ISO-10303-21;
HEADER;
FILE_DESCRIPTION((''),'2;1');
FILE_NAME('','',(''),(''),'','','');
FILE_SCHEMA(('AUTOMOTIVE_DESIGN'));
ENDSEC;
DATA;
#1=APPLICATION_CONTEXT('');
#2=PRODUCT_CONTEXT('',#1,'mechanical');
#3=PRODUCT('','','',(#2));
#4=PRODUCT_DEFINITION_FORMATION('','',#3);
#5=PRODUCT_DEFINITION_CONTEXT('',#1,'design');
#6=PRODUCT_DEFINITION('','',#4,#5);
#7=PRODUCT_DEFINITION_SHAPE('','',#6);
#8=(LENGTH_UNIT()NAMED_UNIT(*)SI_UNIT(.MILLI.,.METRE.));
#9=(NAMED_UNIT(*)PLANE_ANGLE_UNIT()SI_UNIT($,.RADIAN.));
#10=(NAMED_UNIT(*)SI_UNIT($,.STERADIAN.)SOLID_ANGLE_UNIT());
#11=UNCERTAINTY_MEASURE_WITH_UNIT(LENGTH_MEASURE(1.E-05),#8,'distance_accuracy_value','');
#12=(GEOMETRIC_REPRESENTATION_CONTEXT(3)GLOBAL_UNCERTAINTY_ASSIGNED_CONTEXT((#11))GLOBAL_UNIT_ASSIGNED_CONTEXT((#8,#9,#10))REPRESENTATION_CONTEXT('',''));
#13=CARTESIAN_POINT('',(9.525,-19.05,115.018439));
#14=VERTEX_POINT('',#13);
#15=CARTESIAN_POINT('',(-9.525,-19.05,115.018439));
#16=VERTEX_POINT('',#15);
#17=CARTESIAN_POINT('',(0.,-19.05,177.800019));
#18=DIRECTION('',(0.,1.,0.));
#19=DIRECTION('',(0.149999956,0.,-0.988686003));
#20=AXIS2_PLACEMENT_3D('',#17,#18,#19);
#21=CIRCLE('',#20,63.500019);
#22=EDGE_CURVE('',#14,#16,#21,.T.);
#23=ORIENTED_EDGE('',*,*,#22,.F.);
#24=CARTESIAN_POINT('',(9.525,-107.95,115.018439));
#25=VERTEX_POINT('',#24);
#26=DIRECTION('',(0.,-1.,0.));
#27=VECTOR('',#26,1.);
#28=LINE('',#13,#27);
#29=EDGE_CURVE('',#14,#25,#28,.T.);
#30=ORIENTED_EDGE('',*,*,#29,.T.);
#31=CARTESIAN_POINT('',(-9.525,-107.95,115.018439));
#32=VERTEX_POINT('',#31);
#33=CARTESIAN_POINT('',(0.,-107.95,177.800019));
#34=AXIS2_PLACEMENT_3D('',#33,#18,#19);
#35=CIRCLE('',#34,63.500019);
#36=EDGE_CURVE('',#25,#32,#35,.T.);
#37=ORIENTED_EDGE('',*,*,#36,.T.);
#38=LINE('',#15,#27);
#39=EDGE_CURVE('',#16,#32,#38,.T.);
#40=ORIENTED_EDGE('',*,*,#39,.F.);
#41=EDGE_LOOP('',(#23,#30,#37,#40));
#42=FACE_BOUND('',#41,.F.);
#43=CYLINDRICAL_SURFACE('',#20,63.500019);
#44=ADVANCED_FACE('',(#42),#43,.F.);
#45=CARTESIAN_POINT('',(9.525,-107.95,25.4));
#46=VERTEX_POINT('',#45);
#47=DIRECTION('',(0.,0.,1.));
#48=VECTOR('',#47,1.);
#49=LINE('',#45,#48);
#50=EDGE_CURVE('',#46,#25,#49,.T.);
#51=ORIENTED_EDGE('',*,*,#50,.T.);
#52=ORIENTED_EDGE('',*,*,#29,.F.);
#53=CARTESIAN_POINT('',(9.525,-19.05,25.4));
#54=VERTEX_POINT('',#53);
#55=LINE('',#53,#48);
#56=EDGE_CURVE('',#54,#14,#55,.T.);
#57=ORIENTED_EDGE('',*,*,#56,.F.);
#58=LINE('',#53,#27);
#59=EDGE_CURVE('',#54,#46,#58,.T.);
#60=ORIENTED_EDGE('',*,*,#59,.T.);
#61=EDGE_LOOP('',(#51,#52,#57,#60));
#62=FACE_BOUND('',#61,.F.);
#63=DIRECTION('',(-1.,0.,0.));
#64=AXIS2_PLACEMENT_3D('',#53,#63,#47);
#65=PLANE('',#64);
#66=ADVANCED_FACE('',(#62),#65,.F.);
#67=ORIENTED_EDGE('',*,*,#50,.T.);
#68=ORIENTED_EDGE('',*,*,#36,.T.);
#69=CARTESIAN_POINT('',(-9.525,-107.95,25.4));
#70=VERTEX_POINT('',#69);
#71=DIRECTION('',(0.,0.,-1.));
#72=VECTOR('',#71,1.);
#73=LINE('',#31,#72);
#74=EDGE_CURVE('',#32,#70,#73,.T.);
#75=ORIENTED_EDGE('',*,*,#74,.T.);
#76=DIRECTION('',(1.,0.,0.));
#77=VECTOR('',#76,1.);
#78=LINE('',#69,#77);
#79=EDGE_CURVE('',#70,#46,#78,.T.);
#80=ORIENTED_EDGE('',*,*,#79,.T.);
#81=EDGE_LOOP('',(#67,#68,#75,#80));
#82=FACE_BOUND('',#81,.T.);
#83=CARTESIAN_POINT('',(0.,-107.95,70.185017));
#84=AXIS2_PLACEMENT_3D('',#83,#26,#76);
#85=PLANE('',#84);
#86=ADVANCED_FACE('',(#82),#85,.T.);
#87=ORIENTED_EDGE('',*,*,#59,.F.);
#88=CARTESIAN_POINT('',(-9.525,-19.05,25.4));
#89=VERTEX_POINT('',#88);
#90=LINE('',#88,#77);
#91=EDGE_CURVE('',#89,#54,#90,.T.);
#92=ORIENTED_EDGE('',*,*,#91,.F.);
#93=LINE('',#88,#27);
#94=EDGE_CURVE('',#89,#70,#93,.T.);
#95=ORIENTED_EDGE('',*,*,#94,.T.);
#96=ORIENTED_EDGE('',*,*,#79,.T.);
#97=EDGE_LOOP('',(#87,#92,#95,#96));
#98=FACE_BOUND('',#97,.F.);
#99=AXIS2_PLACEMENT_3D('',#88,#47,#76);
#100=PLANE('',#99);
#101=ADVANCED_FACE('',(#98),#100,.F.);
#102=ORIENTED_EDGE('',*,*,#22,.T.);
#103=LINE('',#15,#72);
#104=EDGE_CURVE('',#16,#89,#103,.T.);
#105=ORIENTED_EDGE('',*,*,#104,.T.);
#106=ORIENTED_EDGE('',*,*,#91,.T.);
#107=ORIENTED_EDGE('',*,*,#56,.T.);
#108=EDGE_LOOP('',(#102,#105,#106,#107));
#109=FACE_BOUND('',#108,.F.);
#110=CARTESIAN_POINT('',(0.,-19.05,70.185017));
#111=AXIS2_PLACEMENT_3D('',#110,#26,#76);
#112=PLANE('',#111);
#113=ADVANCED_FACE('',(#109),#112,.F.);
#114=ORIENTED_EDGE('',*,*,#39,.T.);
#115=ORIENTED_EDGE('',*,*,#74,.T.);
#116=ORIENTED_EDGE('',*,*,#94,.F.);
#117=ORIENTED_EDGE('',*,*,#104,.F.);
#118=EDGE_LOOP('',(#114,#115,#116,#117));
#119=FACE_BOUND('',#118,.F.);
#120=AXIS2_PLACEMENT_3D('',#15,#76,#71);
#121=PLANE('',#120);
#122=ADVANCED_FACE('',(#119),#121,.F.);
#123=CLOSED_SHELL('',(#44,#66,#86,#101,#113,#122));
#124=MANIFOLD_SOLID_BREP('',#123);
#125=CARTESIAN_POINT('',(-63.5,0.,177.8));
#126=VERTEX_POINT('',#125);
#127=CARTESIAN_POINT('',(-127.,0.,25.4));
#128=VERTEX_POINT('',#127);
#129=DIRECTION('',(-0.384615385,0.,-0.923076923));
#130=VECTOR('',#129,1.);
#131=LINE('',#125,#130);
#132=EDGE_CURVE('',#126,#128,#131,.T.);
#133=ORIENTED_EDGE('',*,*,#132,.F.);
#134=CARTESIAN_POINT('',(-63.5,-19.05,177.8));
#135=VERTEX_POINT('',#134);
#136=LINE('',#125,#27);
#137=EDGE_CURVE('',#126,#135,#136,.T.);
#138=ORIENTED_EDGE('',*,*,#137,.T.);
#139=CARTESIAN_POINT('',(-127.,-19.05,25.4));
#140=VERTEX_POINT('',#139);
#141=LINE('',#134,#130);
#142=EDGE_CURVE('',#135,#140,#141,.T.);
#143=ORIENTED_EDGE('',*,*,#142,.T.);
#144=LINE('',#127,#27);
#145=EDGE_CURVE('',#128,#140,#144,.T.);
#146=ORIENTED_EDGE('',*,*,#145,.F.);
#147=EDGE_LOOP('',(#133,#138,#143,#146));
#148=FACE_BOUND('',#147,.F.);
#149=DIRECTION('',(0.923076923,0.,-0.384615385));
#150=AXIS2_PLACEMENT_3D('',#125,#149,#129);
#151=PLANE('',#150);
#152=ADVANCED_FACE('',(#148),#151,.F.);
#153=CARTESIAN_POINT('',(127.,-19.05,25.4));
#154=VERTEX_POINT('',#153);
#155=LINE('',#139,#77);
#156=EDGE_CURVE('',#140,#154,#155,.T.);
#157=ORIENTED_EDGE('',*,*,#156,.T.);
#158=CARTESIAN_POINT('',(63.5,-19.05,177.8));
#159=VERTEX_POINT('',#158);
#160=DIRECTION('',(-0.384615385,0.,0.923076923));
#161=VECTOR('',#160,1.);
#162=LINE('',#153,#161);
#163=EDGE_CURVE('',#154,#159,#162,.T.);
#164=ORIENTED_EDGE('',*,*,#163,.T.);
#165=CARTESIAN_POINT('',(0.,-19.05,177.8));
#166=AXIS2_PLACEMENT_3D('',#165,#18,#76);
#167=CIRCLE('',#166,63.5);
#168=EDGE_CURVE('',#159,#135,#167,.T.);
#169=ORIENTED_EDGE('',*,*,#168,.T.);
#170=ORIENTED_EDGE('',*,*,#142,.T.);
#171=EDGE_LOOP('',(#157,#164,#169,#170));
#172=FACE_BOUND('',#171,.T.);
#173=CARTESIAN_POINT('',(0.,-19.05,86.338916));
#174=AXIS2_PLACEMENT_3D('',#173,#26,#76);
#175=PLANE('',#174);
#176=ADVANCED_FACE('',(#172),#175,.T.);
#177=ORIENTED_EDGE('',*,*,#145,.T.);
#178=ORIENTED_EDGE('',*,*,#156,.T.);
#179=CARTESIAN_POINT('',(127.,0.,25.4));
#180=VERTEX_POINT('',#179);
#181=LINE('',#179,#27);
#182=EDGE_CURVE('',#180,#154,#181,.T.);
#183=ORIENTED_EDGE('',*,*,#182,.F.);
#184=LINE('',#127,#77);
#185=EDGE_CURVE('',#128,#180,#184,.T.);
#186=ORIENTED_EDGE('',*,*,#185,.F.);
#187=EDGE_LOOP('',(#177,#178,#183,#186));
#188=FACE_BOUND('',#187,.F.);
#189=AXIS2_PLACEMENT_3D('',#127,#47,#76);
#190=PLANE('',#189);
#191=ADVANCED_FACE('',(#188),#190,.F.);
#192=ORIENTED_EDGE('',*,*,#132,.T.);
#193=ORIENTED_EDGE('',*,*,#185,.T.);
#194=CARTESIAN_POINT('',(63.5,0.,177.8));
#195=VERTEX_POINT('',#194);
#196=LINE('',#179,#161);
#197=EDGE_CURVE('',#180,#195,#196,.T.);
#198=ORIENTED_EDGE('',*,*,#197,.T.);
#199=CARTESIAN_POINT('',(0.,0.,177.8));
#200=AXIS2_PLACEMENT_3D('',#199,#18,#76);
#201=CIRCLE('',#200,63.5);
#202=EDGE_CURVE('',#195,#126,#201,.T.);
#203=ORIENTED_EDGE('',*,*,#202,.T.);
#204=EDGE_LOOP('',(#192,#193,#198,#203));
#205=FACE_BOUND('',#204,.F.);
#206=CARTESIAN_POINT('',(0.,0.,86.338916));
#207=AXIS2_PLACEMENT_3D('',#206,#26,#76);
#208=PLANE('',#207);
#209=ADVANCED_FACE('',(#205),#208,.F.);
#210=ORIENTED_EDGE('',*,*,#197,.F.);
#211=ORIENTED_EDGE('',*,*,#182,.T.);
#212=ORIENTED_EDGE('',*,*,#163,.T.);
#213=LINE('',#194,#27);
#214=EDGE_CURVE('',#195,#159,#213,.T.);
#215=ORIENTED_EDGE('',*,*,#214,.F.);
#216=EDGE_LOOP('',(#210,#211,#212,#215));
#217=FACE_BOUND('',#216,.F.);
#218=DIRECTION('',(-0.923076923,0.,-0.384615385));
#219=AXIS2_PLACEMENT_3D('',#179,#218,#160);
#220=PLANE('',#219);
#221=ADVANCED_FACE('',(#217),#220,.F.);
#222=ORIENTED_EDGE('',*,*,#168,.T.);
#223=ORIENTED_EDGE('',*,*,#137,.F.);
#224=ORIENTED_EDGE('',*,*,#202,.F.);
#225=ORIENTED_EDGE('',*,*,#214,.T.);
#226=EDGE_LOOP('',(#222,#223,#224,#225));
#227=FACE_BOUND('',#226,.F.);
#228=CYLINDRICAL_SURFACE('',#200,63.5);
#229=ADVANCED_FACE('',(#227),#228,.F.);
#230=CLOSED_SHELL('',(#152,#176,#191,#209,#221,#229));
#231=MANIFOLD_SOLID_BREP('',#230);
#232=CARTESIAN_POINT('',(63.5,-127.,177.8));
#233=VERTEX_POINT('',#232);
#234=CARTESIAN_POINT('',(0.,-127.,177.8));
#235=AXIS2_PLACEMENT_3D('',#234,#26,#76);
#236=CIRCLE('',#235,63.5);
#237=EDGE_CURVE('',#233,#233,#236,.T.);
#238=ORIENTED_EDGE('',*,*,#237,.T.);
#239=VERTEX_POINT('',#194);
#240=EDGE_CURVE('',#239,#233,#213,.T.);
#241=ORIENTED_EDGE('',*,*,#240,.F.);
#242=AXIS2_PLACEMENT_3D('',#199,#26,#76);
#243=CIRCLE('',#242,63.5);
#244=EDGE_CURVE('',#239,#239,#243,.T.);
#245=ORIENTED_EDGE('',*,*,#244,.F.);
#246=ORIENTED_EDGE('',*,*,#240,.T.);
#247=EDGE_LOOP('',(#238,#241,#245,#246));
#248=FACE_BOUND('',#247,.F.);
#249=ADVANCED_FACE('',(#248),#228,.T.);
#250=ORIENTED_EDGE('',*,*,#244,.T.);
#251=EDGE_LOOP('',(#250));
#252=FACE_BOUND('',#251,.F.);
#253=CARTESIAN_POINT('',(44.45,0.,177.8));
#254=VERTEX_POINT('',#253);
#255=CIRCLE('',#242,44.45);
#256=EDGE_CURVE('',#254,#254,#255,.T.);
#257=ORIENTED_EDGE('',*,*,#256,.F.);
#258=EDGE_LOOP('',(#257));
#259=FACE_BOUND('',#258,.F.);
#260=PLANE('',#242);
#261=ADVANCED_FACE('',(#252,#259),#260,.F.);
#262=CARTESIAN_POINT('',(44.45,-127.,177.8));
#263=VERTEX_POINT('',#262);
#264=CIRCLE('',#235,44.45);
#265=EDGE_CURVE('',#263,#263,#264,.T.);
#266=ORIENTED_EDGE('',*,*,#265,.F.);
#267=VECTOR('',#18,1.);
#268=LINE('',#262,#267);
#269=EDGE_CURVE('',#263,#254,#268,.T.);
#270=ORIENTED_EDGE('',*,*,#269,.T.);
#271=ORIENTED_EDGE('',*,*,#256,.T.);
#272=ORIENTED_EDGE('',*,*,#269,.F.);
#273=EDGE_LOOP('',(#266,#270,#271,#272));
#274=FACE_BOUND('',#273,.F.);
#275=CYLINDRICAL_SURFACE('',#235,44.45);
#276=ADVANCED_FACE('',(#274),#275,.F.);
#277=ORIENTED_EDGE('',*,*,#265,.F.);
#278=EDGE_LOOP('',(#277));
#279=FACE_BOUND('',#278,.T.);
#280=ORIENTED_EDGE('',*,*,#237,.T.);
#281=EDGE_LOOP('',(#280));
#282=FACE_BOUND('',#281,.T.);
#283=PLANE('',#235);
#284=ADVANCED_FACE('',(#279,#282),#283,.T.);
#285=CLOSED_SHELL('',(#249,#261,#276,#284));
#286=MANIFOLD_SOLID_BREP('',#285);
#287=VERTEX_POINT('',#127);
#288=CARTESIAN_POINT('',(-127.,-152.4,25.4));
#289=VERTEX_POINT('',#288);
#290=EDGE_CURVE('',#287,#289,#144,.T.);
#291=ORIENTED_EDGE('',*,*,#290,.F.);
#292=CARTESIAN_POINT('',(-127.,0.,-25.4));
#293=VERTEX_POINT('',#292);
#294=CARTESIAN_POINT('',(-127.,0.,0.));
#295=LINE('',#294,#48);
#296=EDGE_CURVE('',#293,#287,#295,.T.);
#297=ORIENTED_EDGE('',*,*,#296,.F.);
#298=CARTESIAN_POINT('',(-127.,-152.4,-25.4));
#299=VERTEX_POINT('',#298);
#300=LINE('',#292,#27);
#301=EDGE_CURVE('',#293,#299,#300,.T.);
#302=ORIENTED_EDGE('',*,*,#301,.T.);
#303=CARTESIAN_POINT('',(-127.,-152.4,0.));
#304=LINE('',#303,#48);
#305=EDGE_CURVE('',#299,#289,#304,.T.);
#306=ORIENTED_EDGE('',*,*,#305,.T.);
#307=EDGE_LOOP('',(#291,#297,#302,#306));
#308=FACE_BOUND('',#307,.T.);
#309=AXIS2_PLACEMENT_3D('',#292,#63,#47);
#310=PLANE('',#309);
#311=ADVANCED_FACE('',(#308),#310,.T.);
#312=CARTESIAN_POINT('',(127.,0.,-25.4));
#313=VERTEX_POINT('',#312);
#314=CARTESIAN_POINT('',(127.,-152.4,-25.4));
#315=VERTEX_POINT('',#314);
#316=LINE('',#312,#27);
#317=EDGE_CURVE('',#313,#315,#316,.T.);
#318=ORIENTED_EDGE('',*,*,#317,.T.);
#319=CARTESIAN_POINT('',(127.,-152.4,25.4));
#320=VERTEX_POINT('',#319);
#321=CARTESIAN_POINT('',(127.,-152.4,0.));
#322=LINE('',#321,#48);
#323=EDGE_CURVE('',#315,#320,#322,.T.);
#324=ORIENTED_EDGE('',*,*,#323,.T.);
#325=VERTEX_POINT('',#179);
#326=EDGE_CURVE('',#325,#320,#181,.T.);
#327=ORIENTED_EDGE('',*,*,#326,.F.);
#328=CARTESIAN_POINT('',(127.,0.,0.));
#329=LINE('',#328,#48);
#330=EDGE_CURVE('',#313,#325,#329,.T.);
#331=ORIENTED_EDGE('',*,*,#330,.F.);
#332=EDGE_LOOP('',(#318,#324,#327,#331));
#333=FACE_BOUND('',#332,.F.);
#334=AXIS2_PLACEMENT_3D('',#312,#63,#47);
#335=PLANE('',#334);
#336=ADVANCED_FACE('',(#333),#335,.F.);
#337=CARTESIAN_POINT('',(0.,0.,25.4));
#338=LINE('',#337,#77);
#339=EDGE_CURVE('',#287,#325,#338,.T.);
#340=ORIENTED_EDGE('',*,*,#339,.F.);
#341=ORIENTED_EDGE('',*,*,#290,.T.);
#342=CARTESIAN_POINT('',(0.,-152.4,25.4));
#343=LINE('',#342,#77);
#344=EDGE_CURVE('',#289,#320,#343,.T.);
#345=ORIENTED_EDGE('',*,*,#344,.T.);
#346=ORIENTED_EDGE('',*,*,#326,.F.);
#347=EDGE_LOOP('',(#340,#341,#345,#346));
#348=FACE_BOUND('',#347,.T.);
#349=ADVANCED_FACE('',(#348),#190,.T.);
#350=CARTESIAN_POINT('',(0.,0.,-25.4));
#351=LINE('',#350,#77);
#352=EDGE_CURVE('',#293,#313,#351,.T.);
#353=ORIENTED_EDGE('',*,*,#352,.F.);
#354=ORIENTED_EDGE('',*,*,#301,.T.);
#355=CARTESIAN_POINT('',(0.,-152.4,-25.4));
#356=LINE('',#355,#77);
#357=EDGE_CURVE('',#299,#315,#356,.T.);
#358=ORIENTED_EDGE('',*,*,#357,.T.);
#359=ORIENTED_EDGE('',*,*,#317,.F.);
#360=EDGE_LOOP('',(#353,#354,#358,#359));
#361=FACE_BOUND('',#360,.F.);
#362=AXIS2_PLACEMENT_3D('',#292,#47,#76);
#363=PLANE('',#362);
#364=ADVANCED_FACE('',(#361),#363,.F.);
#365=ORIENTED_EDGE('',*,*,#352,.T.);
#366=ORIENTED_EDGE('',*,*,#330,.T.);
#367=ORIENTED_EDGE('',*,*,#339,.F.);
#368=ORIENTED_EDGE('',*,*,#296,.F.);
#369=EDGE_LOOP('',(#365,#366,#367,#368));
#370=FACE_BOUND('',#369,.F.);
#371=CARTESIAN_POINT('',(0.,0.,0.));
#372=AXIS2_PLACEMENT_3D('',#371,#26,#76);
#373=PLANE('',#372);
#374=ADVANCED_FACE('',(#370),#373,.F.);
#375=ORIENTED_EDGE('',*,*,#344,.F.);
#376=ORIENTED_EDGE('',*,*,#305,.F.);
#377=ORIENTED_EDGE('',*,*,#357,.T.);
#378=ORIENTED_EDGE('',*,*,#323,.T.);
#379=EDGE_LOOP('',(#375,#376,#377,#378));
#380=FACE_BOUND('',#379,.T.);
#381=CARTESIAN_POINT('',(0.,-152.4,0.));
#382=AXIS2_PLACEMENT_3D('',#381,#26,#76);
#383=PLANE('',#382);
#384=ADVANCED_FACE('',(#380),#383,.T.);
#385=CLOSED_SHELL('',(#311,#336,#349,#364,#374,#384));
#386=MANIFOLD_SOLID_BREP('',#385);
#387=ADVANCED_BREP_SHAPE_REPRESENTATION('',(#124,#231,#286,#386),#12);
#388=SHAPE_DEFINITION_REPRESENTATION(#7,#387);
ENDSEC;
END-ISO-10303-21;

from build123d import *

# Parameters (mm, degrees)
F0_W     = 254
F0_H     = 50.8
F1_DEPTH = 152.4
F2_DEPTH = 127
F3_DEPTH = 19.05
F4_R     = 44.45
F5_DEPTH = 127.001
F7_DEPTH = 88.9


with BuildPart() as f1:
    # F0 (on Front) → F1 (new body)
    with BuildSketch(Plane.XZ):
        Rectangle(F0_W, F0_H)
    extrude(amount=F1_DEPTH)


with BuildPart() as f2:
    # F0 (on Front) → F2 (new body)
    with BuildSketch(Plane.XZ):
        with BuildLine():
            ThreePointArc((-63.5, 177.8), (0, 114.3), (63.5, 177.8))
            ThreePointArc((63.5, 177.8), (0, 241.3), (-63.5, 177.8))
        make_face()
    extrude(amount=F2_DEPTH)

    # F4 (on face) → F5 (cut, through all)
    with BuildSketch(Plane.XZ.offset(127)):
        with Locations((0, 177.8)):
            Circle(F4_R)
    extrude(amount=-F5_DEPTH, mode=Mode.SUBTRACT)


with BuildPart() as f3:
    # F0 (on Front) → F3 (new body)
    with BuildSketch(Plane.XZ):
        with BuildLine():
            Line((-127, 25.4), (127, 25.4))
            Line((127, 25.4), (63.5, 177.8))
            ThreePointArc((63.5, 177.8), (0, 114.3), (-63.5, 177.8))
            Line((-63.5, 177.8), (-127, 25.4))
        make_face()
    extrude(amount=F3_DEPTH)


with BuildPart() as f7:
    # F6 (on face) → F7 (new body)
    with BuildSketch(Plane.XZ.offset(19.05)):
        with BuildLine():
            ThreePointArc((9.525, 115.018439), (0, 114.3), (-9.525, 115.018439))
            Line((-9.525, 115.018439), (-9.525, 25.4))
            Line((-9.525, 25.4), (9.525, 25.4))
            Line((9.525, 25.4), (9.525, 115.018439))
        make_face()
    extrude(amount=F7_DEPTH)


solid = Compound([f1.part, f2.part, f3.part, f7.part])
